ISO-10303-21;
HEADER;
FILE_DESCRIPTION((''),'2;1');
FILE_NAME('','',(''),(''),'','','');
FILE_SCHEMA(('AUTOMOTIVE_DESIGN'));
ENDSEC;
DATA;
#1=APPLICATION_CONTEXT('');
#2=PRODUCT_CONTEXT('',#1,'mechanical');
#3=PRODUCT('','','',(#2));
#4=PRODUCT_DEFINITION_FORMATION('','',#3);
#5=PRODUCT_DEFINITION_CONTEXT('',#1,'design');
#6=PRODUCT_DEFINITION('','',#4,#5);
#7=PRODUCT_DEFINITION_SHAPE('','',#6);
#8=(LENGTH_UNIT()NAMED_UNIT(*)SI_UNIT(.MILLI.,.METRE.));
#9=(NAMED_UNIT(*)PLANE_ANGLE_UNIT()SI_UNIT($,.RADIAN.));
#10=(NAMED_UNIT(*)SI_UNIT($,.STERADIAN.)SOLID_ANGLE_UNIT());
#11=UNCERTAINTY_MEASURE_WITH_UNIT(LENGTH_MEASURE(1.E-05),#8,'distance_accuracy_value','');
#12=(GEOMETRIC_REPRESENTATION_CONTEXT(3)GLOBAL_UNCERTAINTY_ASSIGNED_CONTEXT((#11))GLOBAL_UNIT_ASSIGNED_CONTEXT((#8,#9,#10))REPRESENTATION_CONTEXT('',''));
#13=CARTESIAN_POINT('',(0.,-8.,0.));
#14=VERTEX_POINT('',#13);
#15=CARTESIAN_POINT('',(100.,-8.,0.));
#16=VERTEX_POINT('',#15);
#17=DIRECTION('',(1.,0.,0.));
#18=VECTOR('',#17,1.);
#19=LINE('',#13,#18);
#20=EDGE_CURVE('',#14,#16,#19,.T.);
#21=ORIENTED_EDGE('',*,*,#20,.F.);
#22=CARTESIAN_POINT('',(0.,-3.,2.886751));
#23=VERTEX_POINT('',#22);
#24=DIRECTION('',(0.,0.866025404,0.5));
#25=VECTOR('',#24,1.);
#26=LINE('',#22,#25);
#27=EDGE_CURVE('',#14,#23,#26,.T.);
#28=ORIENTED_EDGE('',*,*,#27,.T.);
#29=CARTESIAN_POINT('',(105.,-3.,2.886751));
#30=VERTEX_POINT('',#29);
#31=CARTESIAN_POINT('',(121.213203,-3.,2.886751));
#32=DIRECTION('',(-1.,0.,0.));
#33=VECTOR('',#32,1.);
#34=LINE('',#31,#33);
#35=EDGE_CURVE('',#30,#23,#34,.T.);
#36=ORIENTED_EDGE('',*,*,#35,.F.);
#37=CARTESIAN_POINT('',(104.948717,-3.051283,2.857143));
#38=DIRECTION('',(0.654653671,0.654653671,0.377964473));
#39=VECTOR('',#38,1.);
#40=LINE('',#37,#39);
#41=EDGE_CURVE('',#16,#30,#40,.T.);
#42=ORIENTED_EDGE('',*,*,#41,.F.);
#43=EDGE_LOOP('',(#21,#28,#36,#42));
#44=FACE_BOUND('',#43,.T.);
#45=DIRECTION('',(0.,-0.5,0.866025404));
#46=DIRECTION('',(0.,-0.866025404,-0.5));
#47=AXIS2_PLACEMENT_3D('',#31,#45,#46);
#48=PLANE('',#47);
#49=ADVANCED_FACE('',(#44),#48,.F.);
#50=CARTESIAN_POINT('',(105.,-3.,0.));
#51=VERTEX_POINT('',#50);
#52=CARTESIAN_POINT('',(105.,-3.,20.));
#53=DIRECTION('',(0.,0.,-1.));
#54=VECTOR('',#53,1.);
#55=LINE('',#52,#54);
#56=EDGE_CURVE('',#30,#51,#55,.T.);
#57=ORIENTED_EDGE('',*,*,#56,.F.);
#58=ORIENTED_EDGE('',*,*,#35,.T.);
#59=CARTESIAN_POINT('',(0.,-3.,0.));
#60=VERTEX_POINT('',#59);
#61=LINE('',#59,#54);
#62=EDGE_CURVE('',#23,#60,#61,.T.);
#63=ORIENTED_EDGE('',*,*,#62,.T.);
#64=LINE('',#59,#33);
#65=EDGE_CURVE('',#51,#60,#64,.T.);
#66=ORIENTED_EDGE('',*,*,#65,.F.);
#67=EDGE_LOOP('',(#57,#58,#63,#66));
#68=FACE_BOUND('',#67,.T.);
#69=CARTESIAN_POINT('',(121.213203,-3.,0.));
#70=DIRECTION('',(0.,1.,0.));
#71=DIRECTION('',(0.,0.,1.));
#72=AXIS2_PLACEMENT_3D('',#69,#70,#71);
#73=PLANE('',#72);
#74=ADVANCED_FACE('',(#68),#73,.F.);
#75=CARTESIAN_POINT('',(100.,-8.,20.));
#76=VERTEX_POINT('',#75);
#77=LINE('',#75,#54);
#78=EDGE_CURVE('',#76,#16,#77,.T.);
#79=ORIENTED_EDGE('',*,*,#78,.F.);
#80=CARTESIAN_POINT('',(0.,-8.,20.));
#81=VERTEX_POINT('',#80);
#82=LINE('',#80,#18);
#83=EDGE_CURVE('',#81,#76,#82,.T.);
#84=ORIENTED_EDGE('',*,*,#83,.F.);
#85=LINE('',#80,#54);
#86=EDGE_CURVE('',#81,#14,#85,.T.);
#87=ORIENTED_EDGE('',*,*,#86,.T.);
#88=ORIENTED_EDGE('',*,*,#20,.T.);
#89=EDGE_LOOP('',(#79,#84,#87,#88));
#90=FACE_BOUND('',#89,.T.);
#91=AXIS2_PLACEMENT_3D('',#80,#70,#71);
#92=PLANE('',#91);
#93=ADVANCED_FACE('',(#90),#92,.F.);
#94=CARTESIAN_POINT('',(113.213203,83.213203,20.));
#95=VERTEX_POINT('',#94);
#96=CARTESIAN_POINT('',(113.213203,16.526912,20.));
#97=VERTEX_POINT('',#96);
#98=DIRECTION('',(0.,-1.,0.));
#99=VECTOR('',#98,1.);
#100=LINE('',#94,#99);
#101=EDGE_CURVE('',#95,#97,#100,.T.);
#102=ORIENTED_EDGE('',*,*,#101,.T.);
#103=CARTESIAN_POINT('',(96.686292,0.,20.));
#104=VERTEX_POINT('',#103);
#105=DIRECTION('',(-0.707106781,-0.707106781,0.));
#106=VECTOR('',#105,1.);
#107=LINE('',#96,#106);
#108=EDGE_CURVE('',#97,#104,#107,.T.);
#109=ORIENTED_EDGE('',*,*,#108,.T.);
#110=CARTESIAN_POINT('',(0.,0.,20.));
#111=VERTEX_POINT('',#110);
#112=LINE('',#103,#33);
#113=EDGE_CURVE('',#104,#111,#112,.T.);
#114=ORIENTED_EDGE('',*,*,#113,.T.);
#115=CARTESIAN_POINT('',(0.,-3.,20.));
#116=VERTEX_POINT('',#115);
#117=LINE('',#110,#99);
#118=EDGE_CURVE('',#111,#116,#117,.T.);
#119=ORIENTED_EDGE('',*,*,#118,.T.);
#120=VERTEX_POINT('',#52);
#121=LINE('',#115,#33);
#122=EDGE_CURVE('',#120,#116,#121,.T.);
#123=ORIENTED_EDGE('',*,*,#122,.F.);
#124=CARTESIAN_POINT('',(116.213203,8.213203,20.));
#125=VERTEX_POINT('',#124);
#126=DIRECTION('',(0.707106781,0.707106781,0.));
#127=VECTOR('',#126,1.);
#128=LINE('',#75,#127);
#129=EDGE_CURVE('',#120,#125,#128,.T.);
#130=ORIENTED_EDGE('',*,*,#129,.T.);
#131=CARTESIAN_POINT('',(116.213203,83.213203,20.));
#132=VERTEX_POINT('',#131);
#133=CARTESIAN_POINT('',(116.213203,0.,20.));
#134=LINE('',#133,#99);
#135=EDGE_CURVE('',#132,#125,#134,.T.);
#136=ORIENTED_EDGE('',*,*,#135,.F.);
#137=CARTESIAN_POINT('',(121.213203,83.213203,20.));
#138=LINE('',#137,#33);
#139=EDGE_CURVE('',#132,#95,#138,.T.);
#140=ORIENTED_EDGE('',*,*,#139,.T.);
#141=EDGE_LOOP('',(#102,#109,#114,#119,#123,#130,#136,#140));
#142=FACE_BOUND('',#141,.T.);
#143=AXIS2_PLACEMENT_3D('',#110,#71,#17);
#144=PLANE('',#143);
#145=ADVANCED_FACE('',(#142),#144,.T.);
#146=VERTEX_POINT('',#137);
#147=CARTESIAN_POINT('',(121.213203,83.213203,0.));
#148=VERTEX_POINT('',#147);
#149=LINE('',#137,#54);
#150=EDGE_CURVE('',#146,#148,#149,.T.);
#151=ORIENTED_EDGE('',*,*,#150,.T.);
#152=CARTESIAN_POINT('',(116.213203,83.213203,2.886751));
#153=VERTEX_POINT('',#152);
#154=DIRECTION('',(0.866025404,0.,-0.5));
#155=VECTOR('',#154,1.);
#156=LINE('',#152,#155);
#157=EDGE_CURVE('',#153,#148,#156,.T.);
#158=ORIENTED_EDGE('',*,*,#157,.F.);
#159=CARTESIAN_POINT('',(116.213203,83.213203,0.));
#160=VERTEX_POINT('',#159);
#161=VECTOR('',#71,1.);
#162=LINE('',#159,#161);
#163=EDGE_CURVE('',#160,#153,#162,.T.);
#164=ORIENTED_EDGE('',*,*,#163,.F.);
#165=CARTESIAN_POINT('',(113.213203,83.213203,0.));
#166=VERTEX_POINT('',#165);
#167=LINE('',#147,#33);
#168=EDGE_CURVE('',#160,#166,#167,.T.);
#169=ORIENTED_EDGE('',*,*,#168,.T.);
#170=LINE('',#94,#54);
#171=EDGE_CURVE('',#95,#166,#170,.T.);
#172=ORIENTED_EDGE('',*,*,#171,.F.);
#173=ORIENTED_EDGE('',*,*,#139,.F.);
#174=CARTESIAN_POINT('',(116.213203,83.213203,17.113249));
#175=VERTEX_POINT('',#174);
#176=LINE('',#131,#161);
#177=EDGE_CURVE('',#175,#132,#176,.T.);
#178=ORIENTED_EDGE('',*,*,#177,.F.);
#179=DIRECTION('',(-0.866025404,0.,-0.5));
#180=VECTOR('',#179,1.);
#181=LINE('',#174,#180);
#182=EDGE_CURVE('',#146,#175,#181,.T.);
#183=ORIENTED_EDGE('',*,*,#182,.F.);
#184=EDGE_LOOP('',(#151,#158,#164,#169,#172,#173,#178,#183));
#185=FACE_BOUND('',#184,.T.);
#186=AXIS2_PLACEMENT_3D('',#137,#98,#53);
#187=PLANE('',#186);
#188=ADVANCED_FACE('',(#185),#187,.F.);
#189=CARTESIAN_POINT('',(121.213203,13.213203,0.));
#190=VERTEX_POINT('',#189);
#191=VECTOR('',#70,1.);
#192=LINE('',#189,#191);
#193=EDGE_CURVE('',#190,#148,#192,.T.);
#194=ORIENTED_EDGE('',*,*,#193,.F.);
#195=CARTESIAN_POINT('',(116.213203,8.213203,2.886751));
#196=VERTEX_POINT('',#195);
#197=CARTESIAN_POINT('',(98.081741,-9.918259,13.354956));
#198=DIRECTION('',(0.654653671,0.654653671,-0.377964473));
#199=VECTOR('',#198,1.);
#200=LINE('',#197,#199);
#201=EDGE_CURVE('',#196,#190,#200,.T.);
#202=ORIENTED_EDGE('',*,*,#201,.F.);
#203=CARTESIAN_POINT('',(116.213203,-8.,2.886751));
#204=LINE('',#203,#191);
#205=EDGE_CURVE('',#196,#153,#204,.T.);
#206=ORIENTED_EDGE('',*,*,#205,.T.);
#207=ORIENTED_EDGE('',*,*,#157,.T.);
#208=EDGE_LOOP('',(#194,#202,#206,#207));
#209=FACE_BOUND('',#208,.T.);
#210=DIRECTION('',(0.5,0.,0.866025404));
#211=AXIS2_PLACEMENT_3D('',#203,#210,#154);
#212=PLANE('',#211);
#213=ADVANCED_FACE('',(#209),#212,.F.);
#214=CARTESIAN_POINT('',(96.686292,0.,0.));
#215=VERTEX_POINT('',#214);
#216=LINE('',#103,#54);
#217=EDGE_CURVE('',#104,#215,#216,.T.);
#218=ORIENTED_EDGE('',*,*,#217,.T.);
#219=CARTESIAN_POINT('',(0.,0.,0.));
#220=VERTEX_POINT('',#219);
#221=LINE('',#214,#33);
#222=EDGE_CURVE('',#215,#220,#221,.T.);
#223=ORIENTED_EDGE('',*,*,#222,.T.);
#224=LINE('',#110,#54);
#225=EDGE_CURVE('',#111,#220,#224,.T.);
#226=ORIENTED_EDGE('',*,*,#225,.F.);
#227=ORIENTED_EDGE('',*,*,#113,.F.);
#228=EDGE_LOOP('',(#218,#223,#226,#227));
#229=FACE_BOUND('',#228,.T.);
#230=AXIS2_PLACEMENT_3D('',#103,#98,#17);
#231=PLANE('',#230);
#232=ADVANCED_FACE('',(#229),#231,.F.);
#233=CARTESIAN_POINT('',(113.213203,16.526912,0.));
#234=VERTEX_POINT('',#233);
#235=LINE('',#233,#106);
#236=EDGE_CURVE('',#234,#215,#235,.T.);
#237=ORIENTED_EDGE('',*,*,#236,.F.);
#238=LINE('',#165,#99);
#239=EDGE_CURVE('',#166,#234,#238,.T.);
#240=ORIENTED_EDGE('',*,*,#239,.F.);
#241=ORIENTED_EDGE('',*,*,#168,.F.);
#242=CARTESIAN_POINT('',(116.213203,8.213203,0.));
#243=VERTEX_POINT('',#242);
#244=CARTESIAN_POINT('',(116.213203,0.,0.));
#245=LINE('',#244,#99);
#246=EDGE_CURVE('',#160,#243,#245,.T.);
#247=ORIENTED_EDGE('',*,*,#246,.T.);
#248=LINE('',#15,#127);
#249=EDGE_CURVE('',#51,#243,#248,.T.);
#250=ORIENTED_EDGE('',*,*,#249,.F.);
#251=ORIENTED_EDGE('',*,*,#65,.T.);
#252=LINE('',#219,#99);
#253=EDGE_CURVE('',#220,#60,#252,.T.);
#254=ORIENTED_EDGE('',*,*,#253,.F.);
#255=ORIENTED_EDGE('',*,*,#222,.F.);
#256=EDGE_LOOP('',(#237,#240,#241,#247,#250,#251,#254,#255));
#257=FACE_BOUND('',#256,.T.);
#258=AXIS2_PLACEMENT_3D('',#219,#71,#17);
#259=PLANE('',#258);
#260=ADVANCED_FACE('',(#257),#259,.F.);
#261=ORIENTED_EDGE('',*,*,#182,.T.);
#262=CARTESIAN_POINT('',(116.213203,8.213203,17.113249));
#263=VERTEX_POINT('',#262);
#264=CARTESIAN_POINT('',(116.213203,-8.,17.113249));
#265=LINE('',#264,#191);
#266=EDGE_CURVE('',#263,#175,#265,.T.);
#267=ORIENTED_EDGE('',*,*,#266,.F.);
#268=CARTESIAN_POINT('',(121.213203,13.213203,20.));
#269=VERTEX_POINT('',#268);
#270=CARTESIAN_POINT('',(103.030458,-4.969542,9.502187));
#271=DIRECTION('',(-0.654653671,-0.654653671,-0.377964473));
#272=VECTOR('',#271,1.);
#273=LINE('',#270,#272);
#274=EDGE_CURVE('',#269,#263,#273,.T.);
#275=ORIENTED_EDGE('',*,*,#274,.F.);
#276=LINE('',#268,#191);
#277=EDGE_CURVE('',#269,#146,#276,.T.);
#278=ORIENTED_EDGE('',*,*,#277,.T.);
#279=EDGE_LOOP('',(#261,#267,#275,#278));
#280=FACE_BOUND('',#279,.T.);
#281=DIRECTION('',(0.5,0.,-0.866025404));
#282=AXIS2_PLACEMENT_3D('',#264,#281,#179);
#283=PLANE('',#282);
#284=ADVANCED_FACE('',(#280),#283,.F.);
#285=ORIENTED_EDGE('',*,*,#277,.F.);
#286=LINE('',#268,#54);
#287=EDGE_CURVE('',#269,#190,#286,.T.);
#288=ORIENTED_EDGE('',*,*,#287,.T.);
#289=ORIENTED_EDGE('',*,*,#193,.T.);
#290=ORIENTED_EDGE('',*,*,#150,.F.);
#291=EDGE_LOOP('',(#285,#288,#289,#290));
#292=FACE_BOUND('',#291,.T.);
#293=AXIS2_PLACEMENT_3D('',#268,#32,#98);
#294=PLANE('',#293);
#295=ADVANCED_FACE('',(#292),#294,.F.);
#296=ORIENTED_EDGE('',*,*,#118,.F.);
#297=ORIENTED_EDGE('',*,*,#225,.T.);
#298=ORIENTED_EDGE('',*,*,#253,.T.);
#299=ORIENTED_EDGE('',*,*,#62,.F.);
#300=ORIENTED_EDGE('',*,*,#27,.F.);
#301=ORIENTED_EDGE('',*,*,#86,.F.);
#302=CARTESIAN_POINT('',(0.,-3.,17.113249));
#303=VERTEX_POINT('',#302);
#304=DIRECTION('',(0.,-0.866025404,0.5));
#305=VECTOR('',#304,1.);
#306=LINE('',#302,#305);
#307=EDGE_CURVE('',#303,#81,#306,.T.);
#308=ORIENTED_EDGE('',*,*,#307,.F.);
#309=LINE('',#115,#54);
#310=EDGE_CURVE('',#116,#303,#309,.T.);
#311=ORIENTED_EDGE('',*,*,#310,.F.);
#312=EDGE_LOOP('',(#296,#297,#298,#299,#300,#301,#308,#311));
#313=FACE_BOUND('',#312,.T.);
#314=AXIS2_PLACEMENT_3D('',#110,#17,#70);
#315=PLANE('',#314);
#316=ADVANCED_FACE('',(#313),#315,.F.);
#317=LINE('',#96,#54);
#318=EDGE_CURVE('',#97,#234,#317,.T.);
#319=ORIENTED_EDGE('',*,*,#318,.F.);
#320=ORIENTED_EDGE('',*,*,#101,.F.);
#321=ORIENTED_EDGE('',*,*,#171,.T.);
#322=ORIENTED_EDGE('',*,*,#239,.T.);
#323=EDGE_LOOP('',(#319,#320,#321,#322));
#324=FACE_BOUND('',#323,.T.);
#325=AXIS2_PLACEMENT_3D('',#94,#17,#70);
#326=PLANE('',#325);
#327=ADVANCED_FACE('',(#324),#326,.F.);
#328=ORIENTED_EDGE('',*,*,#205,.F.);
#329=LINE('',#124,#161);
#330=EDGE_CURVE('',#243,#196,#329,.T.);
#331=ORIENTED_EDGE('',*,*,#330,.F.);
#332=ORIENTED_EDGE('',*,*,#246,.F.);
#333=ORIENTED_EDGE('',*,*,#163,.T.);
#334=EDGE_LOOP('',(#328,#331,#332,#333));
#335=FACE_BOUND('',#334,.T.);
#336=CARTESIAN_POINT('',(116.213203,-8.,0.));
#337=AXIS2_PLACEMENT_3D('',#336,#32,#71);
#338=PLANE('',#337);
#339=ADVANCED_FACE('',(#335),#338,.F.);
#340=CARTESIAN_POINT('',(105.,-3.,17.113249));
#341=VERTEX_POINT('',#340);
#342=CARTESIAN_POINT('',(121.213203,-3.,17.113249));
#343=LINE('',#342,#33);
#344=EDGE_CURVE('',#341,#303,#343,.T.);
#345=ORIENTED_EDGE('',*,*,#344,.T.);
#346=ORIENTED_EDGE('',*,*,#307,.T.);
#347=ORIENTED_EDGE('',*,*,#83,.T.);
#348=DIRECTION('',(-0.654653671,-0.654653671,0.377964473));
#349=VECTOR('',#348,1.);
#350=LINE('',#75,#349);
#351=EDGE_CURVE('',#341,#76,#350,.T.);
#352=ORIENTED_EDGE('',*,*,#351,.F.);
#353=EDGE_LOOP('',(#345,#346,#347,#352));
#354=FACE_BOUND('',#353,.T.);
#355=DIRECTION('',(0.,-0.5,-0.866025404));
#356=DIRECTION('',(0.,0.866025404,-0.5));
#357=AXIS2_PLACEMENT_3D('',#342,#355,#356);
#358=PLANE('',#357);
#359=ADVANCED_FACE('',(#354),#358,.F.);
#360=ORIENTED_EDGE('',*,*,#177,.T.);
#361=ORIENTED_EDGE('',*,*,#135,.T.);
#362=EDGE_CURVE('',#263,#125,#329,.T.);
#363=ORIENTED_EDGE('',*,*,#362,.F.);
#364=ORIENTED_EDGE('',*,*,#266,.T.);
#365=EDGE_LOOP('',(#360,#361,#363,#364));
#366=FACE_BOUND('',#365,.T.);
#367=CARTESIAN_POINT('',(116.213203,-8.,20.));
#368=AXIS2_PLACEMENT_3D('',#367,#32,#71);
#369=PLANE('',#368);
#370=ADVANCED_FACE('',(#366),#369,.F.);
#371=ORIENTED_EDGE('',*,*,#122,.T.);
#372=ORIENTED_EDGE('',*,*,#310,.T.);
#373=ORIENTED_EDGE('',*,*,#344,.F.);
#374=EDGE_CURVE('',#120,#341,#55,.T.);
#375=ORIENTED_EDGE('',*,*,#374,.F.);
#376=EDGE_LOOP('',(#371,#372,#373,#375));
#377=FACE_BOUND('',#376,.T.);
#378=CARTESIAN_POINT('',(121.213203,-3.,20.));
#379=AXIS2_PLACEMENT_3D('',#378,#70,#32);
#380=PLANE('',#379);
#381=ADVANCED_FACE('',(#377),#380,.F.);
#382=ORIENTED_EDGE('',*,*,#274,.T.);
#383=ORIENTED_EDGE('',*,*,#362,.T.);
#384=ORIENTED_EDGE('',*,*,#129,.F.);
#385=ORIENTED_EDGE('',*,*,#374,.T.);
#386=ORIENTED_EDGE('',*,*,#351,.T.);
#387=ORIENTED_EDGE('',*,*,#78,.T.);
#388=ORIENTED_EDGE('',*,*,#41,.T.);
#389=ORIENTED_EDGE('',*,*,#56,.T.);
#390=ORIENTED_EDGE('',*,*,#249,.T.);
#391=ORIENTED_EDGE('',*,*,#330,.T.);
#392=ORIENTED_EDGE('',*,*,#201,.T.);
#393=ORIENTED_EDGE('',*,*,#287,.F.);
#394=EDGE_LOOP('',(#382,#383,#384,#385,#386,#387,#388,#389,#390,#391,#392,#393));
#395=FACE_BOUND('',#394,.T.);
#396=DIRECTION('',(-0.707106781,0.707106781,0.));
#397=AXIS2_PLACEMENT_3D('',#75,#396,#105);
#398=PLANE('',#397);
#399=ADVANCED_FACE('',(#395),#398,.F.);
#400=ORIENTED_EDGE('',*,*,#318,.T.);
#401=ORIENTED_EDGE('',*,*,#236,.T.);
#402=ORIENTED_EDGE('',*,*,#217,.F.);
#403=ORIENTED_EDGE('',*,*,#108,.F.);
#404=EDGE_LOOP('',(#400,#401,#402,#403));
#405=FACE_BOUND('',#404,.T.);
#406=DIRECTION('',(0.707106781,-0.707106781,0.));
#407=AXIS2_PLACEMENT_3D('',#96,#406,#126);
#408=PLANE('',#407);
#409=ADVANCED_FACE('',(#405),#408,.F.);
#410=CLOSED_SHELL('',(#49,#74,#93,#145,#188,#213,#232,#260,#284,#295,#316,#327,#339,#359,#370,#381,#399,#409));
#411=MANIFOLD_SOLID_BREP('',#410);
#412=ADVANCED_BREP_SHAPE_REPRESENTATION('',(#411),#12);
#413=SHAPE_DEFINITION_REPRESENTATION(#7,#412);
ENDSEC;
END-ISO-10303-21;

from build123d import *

# Parameters (mm, degrees)
EXTRUDE_1_DEPTH     = 20
CUT_EXTRUDE_1_DEPTH = 149.381528207
CUT_EXTRUDE_2_DEPTH = 154.011402085


with BuildPart() as part:
    # Эскиз1 → Бобышка-Вытянуть1 (new body)
    with BuildSketch(Plane.XY):
        Polygon((0, 0), (0, -8), (100, -8), (121.213203436, 13.213203436), (121.213203436, 83.213203436), (113.213203436, 83.213203436), (113.213203436, 16.526911935), (96.686291501, 0), align=None)
    extrude(amount=EXTRUDE_1_DEPTH)

    # Эскиз2 → Вырез-Вытянуть1 (cut, through all)
    with BuildSketch(Plane.ZY):
        Polygon((0, -3), (2.886751346, -3), (0, -8), align=None)
        Polygon((20, -8), (20, -3), (17.113248654, -3), align=None)
    extrude(amount=-CUT_EXTRUDE_1_DEPTH, mode=Mode.SUBTRACT)

    # Эскиз3 → Вырез-Вытянуть2 (cut, through all)
    with BuildSketch(Plane(origin=(0, 83.213203436, 0), x_dir=(1, 0, 0), z_dir=(0, 1, 0))):
        Polygon((116.213203436, -20), (116.213203436, -17.113248654), (121.213203436, -20), align=None)
        Polygon((121.213203436, 0), (116.213203436, 0), (116.213203436, -2.886751346), align=None)
    extrude(amount=-CUT_EXTRUDE_2_DEPTH, mode=Mode.SUBTRACT)


solid = part.part
